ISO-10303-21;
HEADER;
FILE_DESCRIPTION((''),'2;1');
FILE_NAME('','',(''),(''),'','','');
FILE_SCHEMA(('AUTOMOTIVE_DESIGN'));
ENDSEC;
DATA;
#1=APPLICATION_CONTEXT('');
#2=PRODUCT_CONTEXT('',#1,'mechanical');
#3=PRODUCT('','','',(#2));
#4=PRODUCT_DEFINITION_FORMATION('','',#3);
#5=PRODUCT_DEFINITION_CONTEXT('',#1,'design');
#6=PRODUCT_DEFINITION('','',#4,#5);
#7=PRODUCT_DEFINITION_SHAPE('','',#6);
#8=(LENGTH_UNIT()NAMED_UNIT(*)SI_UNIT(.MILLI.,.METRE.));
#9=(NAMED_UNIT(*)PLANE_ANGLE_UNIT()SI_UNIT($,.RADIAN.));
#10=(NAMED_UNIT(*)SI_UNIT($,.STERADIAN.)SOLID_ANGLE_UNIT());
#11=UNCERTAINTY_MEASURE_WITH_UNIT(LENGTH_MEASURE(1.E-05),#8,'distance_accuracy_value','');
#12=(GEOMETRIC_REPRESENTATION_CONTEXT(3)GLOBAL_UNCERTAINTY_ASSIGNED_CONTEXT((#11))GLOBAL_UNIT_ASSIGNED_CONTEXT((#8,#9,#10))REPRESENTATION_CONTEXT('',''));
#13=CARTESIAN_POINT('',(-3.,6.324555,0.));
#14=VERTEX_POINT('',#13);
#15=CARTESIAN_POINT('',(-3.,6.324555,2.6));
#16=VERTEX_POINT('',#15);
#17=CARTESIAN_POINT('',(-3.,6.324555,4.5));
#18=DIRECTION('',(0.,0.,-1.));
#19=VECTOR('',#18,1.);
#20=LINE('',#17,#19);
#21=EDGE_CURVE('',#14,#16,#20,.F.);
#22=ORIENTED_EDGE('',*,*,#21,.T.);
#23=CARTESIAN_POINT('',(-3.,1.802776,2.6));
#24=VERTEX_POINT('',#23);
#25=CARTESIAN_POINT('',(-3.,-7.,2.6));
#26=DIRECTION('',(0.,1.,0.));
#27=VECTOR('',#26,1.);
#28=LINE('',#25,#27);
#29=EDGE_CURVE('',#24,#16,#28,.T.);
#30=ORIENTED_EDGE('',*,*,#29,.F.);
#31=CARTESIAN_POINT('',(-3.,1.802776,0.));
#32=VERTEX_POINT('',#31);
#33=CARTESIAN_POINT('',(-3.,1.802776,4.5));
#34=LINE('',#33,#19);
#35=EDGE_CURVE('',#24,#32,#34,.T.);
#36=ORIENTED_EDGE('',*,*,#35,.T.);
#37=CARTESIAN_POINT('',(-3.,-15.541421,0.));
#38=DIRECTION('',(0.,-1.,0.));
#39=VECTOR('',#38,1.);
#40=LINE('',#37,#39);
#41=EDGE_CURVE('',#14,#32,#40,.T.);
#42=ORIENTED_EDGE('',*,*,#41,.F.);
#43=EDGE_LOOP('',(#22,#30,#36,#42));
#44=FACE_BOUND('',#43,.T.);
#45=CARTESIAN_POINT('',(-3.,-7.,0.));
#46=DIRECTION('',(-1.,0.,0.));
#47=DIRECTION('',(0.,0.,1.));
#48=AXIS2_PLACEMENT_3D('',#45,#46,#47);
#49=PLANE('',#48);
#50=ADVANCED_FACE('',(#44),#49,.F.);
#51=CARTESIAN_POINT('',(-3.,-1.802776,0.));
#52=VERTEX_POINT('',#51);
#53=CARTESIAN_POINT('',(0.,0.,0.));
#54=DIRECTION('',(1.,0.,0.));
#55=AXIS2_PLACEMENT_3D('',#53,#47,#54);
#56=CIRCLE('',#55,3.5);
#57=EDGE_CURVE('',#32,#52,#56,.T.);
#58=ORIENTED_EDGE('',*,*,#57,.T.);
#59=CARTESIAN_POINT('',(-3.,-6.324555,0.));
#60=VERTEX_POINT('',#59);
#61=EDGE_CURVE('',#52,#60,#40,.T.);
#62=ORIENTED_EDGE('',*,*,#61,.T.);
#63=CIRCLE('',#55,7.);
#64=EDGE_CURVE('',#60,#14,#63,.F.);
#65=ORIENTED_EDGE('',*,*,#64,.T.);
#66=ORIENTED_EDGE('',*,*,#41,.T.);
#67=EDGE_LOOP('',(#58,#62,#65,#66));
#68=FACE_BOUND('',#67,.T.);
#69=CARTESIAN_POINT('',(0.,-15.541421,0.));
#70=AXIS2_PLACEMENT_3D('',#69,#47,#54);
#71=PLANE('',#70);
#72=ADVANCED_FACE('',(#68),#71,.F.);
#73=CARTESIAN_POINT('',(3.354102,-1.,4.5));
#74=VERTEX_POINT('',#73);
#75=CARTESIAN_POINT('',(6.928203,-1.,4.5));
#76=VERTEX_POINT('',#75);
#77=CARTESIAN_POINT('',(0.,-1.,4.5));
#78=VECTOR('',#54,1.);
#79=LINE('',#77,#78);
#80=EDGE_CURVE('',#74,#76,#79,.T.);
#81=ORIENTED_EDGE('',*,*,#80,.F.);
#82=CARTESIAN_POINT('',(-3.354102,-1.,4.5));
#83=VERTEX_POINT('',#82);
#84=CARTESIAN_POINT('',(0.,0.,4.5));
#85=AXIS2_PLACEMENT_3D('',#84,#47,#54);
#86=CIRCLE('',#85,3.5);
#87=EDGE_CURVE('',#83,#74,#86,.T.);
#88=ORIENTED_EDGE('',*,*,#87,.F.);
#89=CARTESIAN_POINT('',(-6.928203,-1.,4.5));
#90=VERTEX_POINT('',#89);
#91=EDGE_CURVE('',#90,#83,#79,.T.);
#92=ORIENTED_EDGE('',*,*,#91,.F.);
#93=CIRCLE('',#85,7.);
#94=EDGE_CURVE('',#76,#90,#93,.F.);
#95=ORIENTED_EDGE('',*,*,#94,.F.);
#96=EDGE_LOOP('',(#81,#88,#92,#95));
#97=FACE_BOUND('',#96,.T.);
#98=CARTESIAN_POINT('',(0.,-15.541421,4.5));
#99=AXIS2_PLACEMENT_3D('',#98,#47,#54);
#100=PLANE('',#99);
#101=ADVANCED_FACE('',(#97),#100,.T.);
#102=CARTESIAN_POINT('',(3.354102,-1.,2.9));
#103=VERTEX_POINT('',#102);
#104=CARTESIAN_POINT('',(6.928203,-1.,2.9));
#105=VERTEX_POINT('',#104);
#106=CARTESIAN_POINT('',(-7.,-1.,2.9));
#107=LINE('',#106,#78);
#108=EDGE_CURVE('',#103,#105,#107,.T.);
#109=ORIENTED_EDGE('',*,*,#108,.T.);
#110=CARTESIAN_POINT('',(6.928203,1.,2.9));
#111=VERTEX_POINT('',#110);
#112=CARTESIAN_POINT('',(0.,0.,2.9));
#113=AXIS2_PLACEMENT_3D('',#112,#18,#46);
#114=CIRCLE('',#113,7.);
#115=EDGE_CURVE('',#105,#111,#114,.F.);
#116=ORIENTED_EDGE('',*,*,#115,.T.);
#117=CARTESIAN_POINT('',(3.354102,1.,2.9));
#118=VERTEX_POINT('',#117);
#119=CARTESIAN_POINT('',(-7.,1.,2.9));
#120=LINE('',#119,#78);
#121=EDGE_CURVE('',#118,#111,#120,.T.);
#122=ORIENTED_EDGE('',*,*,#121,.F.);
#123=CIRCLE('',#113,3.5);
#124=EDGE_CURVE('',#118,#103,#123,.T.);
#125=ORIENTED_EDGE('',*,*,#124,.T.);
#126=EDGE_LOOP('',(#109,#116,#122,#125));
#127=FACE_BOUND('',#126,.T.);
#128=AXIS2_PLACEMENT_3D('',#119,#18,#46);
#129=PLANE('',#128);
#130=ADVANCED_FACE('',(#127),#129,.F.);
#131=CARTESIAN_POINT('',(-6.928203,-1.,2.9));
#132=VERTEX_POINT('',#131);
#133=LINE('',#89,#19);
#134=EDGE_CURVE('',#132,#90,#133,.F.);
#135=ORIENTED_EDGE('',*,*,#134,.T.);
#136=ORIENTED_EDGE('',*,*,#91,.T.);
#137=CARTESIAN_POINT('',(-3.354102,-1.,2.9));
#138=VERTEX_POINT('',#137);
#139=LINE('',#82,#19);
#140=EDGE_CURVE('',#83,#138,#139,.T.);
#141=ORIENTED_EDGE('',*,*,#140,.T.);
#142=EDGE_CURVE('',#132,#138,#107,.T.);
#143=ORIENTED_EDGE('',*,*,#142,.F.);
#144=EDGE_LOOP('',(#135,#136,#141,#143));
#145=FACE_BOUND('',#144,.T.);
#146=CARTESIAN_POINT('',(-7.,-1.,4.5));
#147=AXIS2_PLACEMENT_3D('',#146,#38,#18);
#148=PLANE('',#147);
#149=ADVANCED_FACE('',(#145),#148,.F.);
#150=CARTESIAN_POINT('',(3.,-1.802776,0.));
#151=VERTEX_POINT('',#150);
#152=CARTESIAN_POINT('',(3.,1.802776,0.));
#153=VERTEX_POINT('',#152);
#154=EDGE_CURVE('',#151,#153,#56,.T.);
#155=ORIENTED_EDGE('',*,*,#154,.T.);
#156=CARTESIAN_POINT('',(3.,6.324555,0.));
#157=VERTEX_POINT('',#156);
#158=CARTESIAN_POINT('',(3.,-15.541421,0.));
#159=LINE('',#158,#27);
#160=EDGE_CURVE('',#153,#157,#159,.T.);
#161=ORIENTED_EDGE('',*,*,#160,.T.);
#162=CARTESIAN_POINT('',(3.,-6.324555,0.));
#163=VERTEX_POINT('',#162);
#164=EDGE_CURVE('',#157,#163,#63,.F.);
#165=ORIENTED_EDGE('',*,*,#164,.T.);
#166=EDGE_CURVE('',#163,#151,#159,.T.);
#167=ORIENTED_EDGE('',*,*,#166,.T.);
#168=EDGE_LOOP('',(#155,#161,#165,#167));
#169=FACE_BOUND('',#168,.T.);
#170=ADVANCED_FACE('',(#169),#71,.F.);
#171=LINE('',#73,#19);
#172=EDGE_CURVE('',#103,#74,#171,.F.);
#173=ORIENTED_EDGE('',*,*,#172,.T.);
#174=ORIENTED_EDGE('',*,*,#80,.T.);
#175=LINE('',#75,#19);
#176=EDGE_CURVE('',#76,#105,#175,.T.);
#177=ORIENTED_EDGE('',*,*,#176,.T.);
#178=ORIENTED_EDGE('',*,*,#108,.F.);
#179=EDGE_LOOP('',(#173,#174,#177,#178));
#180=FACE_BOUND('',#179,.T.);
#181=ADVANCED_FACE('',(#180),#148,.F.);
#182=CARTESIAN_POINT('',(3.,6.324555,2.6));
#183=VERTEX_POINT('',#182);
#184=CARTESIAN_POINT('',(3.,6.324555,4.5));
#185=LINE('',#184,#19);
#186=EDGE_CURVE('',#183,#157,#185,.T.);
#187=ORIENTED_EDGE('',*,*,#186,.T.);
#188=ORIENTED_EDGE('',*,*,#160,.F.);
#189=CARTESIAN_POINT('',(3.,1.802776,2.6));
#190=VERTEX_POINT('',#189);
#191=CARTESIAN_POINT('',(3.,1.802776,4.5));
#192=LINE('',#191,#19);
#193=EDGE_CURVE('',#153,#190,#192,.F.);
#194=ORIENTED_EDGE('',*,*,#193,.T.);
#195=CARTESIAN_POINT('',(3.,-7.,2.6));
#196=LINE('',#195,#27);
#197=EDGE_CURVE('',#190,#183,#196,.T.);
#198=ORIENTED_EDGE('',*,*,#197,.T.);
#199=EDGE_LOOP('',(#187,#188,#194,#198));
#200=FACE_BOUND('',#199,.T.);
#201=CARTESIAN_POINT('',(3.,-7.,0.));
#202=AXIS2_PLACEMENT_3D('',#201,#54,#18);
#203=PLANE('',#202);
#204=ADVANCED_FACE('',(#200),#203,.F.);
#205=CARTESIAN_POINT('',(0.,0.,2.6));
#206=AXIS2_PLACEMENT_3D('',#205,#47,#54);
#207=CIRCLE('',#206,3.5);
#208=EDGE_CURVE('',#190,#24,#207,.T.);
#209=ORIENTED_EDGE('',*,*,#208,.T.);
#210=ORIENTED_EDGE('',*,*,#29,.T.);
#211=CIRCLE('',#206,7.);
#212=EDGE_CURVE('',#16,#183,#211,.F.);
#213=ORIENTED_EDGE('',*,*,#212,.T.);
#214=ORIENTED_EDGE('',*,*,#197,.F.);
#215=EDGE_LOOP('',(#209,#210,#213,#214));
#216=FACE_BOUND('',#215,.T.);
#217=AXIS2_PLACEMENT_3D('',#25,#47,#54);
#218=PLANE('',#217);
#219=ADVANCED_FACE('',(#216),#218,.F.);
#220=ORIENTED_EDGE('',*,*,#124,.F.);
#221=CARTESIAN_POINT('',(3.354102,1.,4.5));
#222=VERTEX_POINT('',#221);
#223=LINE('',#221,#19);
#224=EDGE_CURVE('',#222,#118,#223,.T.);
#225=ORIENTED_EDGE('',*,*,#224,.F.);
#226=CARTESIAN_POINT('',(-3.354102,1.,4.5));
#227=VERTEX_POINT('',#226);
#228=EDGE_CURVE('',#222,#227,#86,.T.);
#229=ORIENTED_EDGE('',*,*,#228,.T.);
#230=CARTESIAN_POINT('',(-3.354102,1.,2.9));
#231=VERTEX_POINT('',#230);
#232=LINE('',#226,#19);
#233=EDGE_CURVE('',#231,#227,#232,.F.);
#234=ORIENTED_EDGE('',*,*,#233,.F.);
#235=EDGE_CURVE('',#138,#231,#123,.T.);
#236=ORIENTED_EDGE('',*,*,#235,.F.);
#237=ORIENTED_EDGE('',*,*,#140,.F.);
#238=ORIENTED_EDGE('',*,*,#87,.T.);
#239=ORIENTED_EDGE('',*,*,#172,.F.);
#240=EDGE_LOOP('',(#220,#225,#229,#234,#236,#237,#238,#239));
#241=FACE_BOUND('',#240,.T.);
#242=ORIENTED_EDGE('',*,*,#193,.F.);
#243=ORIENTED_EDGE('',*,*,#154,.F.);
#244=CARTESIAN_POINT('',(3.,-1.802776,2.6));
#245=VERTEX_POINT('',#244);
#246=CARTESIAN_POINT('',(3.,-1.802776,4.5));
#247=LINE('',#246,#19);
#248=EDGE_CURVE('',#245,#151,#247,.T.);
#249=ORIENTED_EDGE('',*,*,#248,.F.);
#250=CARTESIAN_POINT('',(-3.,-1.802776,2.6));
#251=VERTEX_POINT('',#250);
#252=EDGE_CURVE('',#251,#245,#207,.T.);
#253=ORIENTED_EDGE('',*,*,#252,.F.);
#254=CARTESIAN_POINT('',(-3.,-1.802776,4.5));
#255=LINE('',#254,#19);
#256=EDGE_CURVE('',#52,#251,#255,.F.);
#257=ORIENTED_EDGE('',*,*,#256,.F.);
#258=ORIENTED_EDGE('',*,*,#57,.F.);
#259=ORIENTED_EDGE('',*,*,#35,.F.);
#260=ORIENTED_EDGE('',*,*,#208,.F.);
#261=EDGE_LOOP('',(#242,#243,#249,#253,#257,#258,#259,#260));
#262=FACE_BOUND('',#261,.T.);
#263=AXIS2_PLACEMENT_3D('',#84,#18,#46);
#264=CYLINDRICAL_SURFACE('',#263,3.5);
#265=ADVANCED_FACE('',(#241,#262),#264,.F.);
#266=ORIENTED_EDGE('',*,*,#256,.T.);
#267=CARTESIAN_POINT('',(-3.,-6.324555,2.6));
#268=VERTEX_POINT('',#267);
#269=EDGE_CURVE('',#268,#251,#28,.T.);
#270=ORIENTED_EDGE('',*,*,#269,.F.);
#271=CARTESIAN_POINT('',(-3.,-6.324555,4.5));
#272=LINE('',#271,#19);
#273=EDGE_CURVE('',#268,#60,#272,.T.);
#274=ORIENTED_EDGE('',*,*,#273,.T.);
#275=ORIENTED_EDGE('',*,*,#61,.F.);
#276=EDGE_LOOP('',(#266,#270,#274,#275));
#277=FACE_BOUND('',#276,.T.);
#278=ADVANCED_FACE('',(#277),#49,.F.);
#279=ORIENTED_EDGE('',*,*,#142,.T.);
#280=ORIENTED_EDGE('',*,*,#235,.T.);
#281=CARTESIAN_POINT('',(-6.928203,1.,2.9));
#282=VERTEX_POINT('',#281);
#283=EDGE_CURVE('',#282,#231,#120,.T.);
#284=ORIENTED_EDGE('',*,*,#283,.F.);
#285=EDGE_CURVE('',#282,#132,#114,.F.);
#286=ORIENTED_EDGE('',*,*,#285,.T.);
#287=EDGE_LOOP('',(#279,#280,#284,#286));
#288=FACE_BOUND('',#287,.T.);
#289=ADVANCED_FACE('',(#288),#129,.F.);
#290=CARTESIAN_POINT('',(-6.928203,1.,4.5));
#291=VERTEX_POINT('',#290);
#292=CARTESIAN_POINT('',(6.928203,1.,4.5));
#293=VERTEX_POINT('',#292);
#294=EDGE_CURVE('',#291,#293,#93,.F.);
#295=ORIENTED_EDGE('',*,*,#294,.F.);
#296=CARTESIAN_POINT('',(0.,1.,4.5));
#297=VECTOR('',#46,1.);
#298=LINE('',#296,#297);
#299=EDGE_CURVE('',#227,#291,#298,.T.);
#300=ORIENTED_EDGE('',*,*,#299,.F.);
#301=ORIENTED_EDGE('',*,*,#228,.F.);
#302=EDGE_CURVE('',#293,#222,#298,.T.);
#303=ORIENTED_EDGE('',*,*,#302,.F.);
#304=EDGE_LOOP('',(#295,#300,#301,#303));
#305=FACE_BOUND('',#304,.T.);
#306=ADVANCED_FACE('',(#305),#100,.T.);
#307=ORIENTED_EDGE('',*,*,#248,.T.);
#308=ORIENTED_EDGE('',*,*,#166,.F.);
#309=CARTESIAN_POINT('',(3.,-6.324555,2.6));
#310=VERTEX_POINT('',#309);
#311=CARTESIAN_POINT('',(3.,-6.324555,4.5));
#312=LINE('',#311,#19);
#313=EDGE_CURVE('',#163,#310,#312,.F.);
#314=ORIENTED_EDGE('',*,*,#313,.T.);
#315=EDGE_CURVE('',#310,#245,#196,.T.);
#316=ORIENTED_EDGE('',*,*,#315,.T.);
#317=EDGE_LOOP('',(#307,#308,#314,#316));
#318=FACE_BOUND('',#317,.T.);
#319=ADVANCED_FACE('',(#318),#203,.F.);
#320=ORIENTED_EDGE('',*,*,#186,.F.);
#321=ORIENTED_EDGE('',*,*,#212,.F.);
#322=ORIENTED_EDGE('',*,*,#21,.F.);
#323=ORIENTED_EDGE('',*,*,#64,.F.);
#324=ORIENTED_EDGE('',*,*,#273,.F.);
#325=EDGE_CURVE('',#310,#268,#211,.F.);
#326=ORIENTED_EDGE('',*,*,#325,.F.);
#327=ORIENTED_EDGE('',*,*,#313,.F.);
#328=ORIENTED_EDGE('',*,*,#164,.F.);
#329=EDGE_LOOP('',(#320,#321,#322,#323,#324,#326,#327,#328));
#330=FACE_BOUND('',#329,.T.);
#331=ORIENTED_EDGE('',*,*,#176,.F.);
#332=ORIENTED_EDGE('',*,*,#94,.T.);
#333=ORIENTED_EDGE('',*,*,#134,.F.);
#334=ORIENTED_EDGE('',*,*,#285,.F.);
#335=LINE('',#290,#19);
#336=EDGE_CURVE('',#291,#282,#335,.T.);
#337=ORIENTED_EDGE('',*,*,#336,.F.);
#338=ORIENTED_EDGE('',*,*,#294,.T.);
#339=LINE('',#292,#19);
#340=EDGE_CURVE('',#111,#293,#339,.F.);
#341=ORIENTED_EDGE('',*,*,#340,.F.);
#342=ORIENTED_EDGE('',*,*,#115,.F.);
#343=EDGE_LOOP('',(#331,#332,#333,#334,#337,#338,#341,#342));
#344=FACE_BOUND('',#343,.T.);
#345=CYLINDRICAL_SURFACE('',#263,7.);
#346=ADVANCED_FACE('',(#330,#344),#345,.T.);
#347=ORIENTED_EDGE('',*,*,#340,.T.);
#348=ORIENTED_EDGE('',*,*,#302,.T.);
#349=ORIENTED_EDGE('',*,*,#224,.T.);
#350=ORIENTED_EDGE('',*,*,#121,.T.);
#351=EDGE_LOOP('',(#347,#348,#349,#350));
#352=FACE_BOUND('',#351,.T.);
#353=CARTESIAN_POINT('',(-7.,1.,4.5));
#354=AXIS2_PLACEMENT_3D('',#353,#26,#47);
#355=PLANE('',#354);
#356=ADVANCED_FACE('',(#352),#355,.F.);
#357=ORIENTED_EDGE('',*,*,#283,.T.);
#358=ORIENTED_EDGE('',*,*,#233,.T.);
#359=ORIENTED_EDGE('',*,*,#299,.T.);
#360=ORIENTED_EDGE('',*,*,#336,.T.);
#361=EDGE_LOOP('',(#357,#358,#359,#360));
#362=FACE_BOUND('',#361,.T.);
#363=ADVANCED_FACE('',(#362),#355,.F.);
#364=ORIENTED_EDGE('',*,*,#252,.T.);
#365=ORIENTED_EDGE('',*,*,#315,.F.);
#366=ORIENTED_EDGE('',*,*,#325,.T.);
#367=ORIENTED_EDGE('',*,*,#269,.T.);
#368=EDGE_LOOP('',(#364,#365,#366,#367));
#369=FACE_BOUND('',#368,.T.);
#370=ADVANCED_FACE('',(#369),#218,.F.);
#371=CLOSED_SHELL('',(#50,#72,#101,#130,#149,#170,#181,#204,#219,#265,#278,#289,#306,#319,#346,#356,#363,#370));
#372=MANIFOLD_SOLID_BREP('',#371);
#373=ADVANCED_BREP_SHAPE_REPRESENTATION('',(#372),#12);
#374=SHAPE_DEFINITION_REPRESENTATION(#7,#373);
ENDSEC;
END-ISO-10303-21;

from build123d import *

# Parameters (mm, degrees)
SKETCH_1_R               = 7
SKETCH_1_R_2             = 3.5
EXTRUDE_1_DEPTH          = 4.5
SKETCH_2_W               = 6
SKETCH_2_H               = 2.6
CUT_EXTRUDE_1_DEPTH      = 8
CUT_EXTRUDE_1_DEPTH_BACK = 8
SKETCH_3_W               = 1.6
SKETCH_3_H               = 2
CUT_EXTRUDE_2_DEPTH      = 8
CUT_EXTRUDE_2_DEPTH_BACK = 8


with BuildPart() as part:
    # Эскиз1 → Бобышка-Вытянуть1 (new body)
    with BuildSketch(Plane.XY):
        Circle(SKETCH_1_R)
        Circle(SKETCH_1_R_2, mode=Mode.SUBTRACT)
    extrude(amount=EXTRUDE_1_DEPTH)

    # Эскиз2 → Вырез-Вытянуть1 (cut, two sides)
    with BuildSketch(Plane(origin=(0, 0, 0), x_dir=(1, 0, 0), z_dir=(0, 1, 0))) as cut_extrude_1_sk:
        with Locations((0, -1.3)):
            Rectangle(SKETCH_2_W, SKETCH_2_H)
    extrude(amount=CUT_EXTRUDE_1_DEPTH, mode=Mode.SUBTRACT)
    extrude(cut_extrude_1_sk.sketch, amount=-CUT_EXTRUDE_1_DEPTH_BACK, mode=Mode.SUBTRACT)

    # Эскиз3 → Вырез-Вытянуть2 (cut, two sides)
    with BuildSketch(Plane(origin=(0, 0, 0), x_dir=(0, 0, -1), z_dir=(1, 0, 0))) as cut_extrude_2_sk:
        with Locations((-3.7, 0)):
            Rectangle(SKETCH_3_W, SKETCH_3_H)
    extrude(amount=CUT_EXTRUDE_2_DEPTH, mode=Mode.SUBTRACT)
    extrude(cut_extrude_2_sk.sketch, amount=-CUT_EXTRUDE_2_DEPTH_BACK, mode=Mode.SUBTRACT)


solid = part.part
